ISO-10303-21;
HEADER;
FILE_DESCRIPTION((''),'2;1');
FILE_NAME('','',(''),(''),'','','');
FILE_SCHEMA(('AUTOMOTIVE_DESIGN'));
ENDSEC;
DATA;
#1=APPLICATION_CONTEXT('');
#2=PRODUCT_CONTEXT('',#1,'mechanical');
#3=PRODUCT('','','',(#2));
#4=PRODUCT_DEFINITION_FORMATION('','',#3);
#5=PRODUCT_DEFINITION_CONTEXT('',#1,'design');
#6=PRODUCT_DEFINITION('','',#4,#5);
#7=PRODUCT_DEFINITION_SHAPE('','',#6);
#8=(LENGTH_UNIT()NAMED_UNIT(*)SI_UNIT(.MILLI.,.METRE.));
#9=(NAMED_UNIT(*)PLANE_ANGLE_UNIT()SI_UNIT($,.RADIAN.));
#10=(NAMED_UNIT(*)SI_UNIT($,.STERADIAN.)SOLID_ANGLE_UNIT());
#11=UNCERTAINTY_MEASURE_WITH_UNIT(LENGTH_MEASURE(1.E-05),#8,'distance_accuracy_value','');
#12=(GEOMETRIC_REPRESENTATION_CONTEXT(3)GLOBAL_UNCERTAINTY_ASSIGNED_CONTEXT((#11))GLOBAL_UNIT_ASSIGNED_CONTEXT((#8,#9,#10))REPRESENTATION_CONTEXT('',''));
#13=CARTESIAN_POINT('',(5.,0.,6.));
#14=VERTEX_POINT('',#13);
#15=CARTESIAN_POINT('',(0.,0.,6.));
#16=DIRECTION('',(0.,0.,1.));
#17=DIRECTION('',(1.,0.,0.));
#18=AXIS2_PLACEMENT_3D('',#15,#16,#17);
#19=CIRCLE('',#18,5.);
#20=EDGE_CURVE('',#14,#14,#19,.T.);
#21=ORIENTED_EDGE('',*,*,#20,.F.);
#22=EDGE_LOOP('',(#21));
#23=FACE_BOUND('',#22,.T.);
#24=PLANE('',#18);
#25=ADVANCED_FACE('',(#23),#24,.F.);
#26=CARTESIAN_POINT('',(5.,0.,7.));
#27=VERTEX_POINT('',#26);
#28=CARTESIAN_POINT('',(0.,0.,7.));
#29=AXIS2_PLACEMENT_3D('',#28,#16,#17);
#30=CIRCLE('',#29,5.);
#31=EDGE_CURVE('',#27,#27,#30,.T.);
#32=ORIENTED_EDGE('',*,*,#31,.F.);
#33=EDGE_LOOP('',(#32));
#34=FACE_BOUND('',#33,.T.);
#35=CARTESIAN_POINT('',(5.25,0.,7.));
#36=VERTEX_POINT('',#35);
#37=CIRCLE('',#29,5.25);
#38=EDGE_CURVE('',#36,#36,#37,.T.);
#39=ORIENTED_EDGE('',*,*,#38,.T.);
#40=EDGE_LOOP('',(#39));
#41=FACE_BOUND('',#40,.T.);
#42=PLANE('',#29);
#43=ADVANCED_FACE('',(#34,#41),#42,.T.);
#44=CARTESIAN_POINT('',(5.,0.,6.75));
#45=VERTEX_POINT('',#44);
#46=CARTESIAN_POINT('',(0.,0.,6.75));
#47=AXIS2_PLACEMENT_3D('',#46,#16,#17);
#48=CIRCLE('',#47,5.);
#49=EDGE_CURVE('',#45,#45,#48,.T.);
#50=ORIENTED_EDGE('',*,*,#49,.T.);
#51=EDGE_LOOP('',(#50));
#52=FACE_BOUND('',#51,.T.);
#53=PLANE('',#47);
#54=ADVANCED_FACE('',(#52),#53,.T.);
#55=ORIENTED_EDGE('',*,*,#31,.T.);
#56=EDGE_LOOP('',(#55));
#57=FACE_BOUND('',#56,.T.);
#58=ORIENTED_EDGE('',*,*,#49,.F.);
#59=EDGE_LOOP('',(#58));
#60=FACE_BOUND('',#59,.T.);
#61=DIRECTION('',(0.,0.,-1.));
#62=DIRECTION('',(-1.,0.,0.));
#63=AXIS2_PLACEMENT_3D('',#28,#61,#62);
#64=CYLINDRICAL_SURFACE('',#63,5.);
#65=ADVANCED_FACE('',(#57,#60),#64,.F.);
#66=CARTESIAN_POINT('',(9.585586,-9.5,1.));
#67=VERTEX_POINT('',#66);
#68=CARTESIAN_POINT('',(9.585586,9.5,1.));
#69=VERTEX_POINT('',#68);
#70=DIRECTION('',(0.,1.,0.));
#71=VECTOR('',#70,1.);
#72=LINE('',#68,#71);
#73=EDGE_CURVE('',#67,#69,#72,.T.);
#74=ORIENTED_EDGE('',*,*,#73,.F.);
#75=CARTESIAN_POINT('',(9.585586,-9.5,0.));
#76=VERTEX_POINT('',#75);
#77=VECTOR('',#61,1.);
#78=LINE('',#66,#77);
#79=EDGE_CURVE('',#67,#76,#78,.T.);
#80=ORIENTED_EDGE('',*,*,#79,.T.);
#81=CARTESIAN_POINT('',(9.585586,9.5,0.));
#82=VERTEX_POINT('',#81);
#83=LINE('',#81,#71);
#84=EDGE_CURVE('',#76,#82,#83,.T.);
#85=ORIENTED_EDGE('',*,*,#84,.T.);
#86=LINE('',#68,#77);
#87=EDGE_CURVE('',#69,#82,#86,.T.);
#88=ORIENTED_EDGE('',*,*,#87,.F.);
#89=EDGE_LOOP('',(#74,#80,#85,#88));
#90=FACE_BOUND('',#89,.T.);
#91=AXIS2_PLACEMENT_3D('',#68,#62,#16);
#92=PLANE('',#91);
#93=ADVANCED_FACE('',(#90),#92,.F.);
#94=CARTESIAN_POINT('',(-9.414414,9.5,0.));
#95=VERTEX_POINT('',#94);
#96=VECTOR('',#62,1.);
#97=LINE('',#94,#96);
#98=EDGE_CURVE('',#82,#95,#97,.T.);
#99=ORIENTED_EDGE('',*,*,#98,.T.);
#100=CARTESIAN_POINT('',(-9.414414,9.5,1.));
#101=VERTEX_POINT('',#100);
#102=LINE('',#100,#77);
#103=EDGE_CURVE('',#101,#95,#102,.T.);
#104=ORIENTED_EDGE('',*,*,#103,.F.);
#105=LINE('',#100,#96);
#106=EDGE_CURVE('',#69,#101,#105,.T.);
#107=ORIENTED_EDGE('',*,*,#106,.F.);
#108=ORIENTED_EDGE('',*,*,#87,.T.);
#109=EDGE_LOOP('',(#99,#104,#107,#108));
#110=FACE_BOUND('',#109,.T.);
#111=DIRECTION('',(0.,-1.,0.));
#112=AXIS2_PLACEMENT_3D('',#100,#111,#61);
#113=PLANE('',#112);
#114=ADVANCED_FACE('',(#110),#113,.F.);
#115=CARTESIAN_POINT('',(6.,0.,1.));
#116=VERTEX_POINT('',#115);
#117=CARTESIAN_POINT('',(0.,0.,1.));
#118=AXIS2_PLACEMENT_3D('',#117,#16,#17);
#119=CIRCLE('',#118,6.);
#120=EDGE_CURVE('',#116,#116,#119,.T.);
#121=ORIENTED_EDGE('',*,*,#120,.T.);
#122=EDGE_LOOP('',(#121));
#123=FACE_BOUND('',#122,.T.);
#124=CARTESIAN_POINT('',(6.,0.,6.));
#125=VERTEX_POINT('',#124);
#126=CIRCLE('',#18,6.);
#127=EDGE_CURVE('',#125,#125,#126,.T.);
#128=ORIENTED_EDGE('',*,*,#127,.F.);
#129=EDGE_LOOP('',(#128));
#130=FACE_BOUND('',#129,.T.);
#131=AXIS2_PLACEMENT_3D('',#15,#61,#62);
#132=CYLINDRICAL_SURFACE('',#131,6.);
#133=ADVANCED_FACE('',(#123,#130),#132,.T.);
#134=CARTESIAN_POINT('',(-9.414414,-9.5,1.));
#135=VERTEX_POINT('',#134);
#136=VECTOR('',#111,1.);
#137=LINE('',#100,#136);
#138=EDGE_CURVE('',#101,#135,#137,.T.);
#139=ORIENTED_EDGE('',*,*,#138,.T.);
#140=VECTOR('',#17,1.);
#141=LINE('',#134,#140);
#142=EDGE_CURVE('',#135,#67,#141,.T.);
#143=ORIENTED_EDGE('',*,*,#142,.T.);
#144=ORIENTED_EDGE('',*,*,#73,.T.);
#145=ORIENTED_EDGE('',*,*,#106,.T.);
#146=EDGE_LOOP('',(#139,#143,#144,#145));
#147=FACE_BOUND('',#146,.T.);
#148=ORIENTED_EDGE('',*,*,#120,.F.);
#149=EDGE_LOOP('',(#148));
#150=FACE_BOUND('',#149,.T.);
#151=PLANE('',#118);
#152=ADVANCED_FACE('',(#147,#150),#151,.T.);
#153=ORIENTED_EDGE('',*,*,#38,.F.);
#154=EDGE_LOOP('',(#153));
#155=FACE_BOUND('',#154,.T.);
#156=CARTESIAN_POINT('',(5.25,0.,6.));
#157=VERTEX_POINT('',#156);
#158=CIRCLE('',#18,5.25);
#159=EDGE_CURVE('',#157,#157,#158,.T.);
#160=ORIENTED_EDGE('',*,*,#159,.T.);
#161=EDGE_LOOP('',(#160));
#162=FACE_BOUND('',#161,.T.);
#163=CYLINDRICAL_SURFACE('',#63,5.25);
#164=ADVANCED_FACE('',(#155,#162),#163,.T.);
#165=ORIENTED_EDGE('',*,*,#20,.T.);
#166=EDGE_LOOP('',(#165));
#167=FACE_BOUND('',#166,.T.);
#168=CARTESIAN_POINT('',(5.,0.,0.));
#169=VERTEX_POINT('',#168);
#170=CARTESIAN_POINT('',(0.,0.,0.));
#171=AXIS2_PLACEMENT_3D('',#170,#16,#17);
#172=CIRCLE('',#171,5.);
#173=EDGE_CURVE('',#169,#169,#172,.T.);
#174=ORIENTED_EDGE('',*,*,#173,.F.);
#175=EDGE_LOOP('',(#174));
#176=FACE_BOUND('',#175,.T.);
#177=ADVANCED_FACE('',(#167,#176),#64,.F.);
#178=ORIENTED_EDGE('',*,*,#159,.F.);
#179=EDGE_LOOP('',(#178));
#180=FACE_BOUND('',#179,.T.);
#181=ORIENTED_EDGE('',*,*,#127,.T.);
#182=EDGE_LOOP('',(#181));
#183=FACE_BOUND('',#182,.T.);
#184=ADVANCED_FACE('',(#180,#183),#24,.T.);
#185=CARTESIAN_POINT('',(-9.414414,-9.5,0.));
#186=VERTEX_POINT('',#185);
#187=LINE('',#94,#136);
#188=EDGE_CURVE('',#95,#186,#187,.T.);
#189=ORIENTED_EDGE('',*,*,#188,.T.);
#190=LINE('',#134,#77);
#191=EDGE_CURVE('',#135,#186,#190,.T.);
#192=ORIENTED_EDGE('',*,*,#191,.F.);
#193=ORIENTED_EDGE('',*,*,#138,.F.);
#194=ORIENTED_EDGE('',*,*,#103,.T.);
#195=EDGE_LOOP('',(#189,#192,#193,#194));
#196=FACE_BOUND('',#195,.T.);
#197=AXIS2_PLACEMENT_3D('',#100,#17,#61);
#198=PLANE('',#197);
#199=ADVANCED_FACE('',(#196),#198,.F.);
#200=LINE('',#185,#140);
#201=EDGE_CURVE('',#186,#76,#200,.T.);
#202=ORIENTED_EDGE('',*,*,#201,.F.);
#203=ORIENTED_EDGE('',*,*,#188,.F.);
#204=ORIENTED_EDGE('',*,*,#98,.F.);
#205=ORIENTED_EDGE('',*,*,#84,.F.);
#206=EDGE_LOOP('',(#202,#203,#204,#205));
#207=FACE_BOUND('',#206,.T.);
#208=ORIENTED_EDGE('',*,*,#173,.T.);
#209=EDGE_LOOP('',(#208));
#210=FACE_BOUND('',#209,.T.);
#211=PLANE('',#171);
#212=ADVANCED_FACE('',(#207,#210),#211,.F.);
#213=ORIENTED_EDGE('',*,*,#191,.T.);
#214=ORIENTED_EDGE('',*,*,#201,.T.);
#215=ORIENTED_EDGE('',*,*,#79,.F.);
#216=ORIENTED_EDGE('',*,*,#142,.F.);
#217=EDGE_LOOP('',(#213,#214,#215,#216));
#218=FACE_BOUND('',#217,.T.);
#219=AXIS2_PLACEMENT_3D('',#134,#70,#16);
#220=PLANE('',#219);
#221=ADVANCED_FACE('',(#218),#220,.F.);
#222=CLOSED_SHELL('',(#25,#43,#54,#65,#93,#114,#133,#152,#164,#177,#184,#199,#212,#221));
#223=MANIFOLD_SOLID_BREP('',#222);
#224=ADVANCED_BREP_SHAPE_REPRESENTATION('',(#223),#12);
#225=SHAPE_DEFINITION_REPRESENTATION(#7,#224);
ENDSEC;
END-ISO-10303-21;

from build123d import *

# Parameters (mm, degrees)
SKETCH1_W           = 19
SKETCH1_H           = 19
BOSS_EXTRUDE1_DEPTH = 1
SKETCH2_R           = 6
BOSS_EXTRUDE2_DEPTH = 5
SKETCH3_R           = 5.25
SKETCH3_R_2         = 5
BOSS_EXTRUDE5_DEPTH = 1
SKETCH6_R           = 5
CUT_EXTRUDE3_DEPTH  = 16.203073736
SKETCH7_R           = 5.25
BOSS_EXTRUDE6_DEPTH = 0.75


with BuildPart() as part:
    # Sketch1 → Boss-Extrude1 (new body)
    with BuildSketch(Plane.XY):
        with Locations((0.085585586, 0)):
            Rectangle(SKETCH1_W, SKETCH1_H)
    extrude(amount=BOSS_EXTRUDE1_DEPTH)

    # Sketch2 → Boss-Extrude2 (add)
    with BuildSketch(Plane.XY.offset(1)):
        Circle(SKETCH2_R)
    extrude(amount=BOSS_EXTRUDE2_DEPTH)

    # Sketch3 → Boss-Extrude5 (add)
    with BuildSketch(Plane.XY.offset(6)):
        Circle(SKETCH3_R)
        Circle(SKETCH3_R_2, mode=Mode.SUBTRACT)
    extrude(amount=BOSS_EXTRUDE5_DEPTH)

    # Sketch6 → Cut-Extrude3 (cut, through all)
    with BuildSketch(Plane.XY.offset(7)):
        Circle(SKETCH6_R)
    extrude(amount=-CUT_EXTRUDE3_DEPTH, mode=Mode.SUBTRACT)

    # Sketch7 → Boss-Extrude6 (add)
    with BuildSketch(Plane.XY.offset(6)):
        Circle(SKETCH7_R)
    extrude(amount=BOSS_EXTRUDE6_DEPTH)


solid = part.part
